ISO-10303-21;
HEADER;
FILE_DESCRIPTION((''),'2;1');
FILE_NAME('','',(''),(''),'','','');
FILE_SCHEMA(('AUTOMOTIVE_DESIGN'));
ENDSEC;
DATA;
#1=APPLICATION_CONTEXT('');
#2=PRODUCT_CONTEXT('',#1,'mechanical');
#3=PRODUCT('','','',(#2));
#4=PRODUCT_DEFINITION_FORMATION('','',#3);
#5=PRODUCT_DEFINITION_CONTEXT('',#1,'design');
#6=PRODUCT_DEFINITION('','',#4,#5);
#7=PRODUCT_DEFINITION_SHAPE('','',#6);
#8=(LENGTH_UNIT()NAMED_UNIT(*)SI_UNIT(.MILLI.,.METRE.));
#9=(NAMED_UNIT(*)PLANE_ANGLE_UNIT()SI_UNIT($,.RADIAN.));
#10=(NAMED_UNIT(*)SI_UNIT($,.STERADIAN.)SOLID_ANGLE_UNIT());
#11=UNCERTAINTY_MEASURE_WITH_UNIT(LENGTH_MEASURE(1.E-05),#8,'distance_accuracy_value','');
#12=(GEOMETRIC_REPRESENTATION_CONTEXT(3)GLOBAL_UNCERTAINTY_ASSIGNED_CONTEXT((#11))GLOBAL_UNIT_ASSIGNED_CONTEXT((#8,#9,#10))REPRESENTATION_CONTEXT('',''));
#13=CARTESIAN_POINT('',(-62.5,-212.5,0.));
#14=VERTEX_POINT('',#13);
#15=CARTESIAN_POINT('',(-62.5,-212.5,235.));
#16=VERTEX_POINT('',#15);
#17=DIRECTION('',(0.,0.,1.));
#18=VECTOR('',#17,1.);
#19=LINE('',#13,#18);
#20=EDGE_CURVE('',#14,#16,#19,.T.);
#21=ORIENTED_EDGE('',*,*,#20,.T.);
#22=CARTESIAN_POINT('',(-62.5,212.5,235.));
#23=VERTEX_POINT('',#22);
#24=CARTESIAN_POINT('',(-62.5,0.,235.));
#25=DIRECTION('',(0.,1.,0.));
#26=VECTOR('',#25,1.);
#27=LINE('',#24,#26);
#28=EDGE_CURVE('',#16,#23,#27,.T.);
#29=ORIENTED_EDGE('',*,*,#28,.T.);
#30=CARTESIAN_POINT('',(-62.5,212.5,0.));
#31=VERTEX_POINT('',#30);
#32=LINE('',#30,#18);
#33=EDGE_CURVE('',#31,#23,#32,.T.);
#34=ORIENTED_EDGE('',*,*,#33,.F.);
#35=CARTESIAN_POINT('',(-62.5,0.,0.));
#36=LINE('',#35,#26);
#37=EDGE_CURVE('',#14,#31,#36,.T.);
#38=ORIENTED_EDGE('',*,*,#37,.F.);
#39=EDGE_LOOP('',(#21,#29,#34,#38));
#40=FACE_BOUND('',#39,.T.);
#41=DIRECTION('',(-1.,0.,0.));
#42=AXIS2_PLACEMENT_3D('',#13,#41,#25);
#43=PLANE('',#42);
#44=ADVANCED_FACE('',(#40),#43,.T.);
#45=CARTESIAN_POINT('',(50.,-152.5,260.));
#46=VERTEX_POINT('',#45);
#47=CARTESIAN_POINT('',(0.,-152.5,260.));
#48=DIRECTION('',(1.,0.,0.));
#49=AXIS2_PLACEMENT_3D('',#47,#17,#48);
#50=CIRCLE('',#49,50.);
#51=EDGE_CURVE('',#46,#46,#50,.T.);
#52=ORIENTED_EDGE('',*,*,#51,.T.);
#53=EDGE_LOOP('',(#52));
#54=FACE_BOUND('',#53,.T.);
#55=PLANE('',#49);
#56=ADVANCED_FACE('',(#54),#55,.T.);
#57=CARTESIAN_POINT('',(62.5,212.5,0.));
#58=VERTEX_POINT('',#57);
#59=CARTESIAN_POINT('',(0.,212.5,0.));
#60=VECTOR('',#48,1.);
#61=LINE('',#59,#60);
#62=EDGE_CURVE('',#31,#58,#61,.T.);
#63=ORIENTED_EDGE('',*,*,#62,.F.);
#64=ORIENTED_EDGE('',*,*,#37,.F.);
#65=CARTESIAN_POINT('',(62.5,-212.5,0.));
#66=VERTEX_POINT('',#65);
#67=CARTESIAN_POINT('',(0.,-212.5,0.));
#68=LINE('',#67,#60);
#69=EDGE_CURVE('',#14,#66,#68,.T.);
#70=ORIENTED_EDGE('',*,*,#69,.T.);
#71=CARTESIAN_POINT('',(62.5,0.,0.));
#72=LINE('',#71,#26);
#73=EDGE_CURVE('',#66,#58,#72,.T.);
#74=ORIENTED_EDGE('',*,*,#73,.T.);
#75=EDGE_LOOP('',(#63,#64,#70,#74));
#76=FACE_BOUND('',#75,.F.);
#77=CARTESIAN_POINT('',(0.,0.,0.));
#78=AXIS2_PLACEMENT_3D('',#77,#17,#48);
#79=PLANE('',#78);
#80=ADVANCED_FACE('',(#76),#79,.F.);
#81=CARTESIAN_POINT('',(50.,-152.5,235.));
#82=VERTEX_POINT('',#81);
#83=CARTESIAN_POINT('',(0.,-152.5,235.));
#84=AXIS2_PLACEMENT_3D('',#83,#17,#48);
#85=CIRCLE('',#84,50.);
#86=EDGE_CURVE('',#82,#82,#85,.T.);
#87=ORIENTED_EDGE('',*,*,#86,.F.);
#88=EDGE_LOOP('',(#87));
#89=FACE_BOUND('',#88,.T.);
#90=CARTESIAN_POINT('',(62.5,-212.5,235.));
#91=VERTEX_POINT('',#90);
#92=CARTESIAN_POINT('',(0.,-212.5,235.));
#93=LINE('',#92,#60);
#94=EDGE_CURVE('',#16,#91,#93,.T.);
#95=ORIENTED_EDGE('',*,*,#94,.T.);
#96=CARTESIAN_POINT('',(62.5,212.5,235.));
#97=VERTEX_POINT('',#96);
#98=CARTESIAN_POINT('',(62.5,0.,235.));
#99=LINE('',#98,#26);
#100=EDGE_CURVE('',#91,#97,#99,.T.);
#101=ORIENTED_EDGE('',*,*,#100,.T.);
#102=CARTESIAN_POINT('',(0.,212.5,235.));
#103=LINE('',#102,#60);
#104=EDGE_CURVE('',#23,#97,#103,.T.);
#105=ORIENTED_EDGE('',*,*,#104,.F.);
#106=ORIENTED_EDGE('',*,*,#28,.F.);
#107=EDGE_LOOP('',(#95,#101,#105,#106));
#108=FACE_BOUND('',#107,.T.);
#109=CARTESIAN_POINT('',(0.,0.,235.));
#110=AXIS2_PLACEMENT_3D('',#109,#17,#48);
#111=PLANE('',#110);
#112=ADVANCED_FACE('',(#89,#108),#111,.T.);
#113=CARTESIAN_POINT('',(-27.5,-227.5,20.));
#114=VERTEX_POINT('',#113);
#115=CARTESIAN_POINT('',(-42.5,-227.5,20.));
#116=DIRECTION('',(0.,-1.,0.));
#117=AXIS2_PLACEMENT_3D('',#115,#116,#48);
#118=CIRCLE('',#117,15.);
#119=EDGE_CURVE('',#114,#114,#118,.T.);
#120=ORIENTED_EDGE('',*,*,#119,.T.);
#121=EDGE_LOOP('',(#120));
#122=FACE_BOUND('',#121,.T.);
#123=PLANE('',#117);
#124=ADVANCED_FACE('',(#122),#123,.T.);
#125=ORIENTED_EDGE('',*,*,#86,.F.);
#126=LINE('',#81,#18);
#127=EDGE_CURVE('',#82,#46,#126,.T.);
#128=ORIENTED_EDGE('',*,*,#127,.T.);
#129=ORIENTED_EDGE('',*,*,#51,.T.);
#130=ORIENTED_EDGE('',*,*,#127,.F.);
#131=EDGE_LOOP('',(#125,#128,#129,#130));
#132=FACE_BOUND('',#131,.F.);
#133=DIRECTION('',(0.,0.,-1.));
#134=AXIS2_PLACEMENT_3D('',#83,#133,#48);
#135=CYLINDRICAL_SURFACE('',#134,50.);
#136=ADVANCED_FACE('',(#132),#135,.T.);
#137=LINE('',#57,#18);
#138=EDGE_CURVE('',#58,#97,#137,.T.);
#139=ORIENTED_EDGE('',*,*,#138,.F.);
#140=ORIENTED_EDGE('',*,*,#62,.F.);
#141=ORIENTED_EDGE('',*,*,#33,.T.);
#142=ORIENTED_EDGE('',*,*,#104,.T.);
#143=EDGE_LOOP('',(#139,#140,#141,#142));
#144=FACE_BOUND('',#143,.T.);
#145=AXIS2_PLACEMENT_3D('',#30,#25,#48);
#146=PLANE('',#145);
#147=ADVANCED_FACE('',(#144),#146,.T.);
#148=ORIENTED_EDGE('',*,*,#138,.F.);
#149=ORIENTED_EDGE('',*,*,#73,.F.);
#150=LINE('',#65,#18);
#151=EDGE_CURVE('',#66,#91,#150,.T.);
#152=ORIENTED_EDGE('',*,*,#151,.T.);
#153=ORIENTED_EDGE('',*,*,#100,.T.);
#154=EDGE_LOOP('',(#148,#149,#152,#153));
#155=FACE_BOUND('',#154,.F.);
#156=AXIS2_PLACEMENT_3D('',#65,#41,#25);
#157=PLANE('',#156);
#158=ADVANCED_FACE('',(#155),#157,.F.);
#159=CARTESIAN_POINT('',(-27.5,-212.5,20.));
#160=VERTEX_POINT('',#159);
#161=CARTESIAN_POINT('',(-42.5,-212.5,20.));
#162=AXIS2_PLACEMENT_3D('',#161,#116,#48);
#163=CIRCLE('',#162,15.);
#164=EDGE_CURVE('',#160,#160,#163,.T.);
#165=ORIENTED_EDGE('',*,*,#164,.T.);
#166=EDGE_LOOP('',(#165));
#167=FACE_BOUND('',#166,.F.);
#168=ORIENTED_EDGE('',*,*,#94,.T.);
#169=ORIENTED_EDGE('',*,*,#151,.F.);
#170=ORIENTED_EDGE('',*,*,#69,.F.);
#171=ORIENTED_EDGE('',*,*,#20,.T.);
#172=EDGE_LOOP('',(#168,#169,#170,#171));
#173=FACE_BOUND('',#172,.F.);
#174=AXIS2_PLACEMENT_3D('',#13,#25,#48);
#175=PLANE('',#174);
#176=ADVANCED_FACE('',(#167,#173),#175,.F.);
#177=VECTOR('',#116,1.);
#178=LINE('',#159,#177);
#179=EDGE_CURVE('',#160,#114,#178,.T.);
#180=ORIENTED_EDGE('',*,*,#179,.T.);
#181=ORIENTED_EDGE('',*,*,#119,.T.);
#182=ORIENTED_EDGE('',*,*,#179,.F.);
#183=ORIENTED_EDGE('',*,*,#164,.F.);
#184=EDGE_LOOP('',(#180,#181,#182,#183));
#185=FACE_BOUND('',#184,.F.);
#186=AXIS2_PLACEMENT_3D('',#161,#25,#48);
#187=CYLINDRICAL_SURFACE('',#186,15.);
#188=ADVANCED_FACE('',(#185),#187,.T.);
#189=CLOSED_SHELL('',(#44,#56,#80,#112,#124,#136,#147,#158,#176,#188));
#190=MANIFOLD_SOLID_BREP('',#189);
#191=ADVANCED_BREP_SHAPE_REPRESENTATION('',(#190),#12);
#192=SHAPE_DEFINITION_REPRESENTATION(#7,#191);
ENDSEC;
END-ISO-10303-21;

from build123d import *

# Parameters (mm, degrees)
F0_W     = 125
F0_H     = 425
F1_DEPTH = 235
F2_R     = 15
F3_DEPTH = 15
F4_R     = 50
F5_DEPTH = 25


with BuildPart() as f1:
    # F0 (on Top) → F1 (new body)
    with BuildSketch(Plane.XY):
        Rectangle(F0_W, F0_H)
    extrude(amount=F1_DEPTH)

    # F2 (on face) → F3 (join)
    with BuildSketch(Plane.XZ.offset(212.5)):
        with Locations((-42.5, 20)):
            Circle(F2_R)
    extrude(amount=F3_DEPTH)

    # F4 (on face) → F5 (join)
    with BuildSketch(Plane.XY.offset(235)):
        with Locations((0, -152.5)):
            Circle(F4_R)
    extrude(amount=F5_DEPTH)


solid = f1.part
